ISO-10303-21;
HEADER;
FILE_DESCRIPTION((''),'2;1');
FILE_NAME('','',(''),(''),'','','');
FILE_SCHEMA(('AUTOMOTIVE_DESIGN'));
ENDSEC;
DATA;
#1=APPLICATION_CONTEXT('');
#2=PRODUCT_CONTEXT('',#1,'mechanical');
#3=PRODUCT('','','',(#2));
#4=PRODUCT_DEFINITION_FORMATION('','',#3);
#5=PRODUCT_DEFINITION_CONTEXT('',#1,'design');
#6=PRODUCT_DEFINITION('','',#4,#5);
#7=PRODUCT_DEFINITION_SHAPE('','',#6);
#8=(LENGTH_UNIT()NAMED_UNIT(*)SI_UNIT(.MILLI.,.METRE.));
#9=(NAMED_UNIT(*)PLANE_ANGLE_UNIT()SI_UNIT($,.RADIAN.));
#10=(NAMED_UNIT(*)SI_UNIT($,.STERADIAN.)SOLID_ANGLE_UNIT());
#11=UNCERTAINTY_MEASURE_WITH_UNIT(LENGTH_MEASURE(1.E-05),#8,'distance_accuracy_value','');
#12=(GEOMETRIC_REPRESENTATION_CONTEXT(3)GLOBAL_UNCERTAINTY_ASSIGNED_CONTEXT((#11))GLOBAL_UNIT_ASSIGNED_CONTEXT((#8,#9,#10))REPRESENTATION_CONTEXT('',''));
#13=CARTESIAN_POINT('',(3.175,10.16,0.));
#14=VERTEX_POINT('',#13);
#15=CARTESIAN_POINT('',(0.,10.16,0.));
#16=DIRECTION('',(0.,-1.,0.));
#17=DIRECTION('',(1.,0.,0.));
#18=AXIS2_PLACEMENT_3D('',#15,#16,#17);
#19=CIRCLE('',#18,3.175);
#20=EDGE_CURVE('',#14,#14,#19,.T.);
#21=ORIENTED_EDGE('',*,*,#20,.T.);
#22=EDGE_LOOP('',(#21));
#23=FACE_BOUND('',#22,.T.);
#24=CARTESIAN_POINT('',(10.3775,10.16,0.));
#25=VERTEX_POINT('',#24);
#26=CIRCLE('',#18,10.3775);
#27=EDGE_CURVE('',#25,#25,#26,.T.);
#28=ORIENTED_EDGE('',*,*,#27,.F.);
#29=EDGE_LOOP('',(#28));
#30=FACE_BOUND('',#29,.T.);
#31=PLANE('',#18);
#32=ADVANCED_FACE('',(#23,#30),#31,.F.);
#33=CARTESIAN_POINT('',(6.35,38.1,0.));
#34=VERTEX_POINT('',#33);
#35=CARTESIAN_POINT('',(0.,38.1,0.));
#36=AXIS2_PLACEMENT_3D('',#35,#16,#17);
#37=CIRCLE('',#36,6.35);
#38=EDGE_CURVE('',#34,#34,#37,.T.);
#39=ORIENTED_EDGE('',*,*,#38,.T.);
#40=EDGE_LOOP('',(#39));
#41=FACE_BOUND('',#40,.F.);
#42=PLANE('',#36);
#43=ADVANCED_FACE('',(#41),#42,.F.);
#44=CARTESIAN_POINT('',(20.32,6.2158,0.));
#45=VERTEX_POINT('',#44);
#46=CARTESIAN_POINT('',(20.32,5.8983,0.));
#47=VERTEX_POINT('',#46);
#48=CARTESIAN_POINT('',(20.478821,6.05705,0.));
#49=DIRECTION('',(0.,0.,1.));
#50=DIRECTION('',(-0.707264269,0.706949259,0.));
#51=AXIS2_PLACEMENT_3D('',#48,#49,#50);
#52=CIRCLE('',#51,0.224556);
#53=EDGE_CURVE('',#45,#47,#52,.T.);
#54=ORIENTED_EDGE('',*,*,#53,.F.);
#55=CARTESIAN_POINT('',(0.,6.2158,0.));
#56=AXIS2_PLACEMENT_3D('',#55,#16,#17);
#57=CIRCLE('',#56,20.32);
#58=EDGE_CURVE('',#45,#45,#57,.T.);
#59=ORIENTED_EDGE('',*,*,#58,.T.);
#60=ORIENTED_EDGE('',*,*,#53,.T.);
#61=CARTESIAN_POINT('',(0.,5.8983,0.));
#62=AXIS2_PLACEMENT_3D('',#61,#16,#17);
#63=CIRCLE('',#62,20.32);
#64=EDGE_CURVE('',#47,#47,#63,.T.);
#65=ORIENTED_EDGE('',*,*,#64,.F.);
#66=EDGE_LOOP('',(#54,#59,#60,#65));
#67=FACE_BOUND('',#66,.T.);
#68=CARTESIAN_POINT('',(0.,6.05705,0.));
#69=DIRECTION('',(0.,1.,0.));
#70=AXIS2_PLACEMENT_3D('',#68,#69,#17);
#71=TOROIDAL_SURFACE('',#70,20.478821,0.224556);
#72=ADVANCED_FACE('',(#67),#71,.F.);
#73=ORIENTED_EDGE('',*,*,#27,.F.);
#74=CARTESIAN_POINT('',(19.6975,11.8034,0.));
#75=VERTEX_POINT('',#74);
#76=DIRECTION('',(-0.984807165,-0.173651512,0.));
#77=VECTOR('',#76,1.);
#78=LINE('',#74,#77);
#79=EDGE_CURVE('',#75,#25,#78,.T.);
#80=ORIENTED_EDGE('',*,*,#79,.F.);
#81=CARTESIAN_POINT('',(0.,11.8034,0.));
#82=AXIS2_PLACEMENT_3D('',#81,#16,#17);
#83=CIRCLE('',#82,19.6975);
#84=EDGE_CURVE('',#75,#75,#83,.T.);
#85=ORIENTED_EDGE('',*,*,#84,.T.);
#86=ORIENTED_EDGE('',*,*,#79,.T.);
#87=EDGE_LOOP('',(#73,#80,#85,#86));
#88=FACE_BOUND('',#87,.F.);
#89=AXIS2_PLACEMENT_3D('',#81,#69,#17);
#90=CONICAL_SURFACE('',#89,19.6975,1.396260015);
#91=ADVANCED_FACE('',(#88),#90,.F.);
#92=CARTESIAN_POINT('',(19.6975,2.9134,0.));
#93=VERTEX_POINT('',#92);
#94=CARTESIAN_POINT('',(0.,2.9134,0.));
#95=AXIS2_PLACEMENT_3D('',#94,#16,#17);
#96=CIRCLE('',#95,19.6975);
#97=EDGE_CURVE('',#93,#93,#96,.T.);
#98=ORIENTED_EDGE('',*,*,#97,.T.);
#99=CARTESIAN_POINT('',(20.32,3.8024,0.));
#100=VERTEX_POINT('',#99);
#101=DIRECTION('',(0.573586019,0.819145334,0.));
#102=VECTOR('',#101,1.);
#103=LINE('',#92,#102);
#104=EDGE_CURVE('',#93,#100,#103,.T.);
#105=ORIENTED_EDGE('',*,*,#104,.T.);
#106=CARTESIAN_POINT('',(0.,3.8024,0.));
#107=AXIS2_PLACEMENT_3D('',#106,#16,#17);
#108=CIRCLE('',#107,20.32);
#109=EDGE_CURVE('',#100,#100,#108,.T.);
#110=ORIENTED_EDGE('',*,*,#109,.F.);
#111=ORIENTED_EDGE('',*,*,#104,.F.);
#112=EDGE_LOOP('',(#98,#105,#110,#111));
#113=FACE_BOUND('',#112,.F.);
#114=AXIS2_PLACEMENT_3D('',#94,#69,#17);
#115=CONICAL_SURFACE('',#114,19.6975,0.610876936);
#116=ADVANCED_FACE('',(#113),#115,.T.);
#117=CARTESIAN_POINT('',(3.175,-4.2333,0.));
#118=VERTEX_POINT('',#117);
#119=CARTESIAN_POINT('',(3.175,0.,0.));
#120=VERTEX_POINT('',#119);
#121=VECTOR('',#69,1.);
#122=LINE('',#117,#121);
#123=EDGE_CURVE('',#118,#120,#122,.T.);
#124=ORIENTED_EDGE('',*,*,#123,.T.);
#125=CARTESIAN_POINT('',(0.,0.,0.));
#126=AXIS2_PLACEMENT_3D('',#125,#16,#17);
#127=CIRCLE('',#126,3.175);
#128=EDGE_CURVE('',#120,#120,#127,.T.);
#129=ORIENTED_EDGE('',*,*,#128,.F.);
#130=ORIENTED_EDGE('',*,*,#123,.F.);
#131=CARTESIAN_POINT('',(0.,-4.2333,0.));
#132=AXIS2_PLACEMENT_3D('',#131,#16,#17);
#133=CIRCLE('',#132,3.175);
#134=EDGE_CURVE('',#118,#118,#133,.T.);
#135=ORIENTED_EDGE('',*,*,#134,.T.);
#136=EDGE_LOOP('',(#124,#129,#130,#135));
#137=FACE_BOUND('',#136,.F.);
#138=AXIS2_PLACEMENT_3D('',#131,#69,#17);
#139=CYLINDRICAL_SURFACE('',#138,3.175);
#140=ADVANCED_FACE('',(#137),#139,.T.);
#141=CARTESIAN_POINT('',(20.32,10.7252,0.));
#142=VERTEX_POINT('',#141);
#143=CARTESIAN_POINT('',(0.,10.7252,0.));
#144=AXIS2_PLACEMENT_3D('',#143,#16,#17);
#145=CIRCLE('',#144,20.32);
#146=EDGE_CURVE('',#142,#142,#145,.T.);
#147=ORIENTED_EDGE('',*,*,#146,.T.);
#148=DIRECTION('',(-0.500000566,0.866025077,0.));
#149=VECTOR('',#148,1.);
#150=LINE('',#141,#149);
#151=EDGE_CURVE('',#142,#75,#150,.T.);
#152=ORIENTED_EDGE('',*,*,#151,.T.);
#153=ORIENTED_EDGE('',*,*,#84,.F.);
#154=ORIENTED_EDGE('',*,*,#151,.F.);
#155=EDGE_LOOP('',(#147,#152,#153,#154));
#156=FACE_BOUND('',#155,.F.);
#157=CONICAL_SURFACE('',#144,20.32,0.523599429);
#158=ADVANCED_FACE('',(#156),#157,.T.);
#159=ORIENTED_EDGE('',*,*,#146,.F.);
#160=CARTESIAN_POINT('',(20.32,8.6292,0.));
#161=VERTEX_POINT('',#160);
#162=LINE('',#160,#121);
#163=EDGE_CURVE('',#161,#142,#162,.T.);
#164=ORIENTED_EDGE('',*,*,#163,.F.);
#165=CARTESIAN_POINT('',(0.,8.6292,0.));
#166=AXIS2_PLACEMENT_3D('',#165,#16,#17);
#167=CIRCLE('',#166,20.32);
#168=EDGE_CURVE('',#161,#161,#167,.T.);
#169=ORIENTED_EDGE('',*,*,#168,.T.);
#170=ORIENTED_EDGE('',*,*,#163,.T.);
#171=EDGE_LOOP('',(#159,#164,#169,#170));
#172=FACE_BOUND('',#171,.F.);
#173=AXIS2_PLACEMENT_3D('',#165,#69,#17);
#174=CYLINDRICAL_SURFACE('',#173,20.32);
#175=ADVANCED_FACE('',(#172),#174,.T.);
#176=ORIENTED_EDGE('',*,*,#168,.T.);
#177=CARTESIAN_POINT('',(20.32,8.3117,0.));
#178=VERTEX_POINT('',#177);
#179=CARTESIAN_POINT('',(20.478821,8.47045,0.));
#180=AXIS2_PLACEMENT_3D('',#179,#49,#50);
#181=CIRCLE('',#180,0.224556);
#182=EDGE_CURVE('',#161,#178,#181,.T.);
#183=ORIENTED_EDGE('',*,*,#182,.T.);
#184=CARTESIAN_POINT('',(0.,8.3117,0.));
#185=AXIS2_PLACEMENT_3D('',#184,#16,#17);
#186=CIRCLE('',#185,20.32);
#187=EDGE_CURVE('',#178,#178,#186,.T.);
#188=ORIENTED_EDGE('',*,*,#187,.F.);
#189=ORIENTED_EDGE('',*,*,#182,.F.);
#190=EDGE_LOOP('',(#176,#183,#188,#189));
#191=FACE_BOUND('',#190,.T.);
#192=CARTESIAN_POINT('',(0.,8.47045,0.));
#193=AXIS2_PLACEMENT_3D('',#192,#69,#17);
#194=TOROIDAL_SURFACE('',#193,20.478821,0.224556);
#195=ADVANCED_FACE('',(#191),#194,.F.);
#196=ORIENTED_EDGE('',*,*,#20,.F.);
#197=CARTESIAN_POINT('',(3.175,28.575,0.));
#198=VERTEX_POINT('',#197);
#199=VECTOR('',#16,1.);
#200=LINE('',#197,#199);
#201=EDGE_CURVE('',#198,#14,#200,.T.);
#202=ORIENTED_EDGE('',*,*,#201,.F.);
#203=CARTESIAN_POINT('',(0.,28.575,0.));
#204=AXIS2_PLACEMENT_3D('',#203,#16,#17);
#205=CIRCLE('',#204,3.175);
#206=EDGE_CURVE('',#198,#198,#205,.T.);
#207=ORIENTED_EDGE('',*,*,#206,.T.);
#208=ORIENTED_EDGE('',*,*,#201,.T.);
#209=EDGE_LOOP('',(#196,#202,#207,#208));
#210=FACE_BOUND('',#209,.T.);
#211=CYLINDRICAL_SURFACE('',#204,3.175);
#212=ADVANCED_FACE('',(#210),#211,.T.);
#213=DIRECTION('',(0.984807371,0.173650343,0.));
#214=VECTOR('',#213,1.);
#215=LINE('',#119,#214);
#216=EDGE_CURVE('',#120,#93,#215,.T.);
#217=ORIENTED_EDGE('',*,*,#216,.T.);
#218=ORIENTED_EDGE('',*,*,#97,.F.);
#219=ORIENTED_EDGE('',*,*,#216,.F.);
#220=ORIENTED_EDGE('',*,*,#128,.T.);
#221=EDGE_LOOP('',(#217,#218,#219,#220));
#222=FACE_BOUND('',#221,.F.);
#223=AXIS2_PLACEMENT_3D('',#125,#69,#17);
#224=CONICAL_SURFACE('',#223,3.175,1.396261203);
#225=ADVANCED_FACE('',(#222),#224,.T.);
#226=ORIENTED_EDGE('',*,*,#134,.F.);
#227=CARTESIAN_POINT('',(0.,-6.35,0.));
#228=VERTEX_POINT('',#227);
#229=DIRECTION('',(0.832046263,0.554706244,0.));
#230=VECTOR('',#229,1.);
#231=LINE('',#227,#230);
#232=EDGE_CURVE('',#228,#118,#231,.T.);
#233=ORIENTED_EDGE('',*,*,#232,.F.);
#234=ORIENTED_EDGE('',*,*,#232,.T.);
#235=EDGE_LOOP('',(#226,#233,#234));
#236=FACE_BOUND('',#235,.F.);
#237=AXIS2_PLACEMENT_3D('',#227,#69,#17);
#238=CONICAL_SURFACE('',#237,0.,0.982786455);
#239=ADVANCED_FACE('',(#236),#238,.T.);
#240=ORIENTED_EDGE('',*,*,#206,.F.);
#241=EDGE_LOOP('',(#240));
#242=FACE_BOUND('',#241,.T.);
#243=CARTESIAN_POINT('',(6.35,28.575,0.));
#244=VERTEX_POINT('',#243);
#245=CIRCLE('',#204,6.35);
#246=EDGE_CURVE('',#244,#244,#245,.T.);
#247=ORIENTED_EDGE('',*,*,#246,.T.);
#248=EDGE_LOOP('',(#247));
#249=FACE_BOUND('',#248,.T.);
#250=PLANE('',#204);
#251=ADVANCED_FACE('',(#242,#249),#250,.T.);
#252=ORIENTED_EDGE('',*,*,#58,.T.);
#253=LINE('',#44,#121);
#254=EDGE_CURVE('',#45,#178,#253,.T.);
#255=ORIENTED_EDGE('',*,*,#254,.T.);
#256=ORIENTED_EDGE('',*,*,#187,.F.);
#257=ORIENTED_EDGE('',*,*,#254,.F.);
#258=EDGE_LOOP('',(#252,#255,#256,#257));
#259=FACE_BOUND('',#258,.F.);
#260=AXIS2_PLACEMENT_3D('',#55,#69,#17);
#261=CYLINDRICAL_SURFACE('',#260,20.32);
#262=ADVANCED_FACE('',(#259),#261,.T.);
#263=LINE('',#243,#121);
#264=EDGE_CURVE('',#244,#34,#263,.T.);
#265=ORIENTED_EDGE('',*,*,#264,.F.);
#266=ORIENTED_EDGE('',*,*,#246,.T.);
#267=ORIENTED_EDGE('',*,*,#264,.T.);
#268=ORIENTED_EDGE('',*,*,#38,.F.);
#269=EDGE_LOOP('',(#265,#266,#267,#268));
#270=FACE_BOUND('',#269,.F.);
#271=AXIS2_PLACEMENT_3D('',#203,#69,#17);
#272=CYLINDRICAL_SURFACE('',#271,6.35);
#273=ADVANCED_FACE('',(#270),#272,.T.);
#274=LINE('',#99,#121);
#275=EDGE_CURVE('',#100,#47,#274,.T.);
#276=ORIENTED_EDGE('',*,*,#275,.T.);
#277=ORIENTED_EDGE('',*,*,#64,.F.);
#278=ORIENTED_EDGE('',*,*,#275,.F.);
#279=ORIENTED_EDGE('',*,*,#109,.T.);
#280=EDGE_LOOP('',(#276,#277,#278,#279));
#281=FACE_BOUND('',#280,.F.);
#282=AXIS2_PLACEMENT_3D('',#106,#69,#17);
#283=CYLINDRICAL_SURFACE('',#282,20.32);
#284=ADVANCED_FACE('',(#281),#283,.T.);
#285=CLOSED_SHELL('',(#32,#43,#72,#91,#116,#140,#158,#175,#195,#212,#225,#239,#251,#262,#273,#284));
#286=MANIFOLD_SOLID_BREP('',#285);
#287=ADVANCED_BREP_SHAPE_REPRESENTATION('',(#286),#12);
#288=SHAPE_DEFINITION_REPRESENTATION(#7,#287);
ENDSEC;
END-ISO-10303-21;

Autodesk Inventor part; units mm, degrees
ref_plane "YZ Plane" through (0, 0, 0) normal (1, 0, 0) x (0, 1, 0)
ref_plane "XZ Plane" through (0, 0, 0) normal (0, 1, 0) x (-1, 0, 0)
ref_plane "XY Plane" through (0, 0, 0) normal (0, 0, 1) x (1, 0, 0)
sketch "Sketch1" plane through (0, 0, 0) normal (0, 0, 1) x (1, 0, 0)
  line L0 (0, 0) -> (0, 28.575)
  line L1 (0, 0) -> (0, -6.35)
  line L2 (0, 28.575) -> (0, 38.1)
  line L3 (6.35, 28.575) -> (6.35, 38.1)
  line L4 (6.35, 38.1) -> (0, 38.1)
  line L5 (3.175, 17.0324) -> (0, 17.0324) construction
  line L6 (6.35, 28.575) -> (3.175, 28.575)
  line L7 (3.175, 28.575) -> (0, 28.575) construction
  line L8 (0, 0) -> (3.175, 0) construction
  line L9 (3.175, 0) -> (3.175, 0) construction
  line L10 (19.6975, 2.9134) -> (20.32, 3.8024)
  line L11 (0, -6.35) -> (3.175, -4.2333)
  line L12 (3.175, -4.2333) -> (3.175, 0)
  line L13 (3.175, 0) -> (19.6975, 2.9134)
  line L14 (3.175, 28.575) -> (3.175, 10.16)
  line L15 (20.32, 8.6292) -> (20.1612, 8.4705) construction
  line L16 (20.1612, 8.4705) -> (20.32, 8.3117) construction
  arc A0 (6.35, 38.1) -> (0, 40.0262) centre (0, 28.5962) ccw
  line L17 (20.32, 6.2158) -> (20.1612, 6.0571) construction
  line L18 (20.1612, 6.0571) -> (20.32, 5.8983) construction
  line L19 (20.32, 3.8024) -> (20.32, 5.8983)
  line L20 (20.32, 6.2158) -> (20.32, 8.3117)
  line L21 (20.32, 8.6292) -> (20.32, 10.7252)
  line L22 (20.32, 5.8983) -> (20.32, 6.2158) construction
  line L23 (20.32, 8.3117) -> (20.32, 8.6292) construction
  arc A1 (20.32, 8.6292) -> (20.32, 8.3117) centre (20.4787, 8.4705) ccw
  arc A2 (20.32, 6.2158) -> (20.32, 5.8983) centre (20.4787, 6.0571) ccw
  line L24 (20.1612, 8.4705) -> (0, 8.4705) construction
  line L25 (19.6975, 11.8034) -> (10.3775, 10.16)
  line L26 (20.32, 10.7252) -> (19.6975, 11.8034)
  line L27 (3.175, 8.89) -> (3.175, 10.16) construction
  line L28 (3.175, 10.16) -> (10.3775, 10.16)
  line L29 (10.3775, 10.16) -> (3.175, 8.89) construction
  line L30 (3.175, 10.16) -> (3.175, 8.89) construction
  dimension "d5" = 44.45
  dimension "d6" = 9.525
  dimension "d7" = 6.35
  dimension "d12" = 2.1167
  dimension "d13" = 3.175
  dimension "d15" = 4.2333
  dimension "d24" = 10
  dimension "d28" = 3.175
  dimension "d36" = 0.3175
  dimension "d40" = 11.43
  dimension "d42" = 20.32
  dimension "d43" = 55
  dimension "d46" = 60
  dimension "d47" = 1.27
  dimension "d48" = 8.89
  dimension "d49" = 0.889
revolve "Revolution1" add sketch "Sketch1" angle 360 about axis through (0, 28.575, 0) along (0, -1, 0)
properties part number "Top1"
